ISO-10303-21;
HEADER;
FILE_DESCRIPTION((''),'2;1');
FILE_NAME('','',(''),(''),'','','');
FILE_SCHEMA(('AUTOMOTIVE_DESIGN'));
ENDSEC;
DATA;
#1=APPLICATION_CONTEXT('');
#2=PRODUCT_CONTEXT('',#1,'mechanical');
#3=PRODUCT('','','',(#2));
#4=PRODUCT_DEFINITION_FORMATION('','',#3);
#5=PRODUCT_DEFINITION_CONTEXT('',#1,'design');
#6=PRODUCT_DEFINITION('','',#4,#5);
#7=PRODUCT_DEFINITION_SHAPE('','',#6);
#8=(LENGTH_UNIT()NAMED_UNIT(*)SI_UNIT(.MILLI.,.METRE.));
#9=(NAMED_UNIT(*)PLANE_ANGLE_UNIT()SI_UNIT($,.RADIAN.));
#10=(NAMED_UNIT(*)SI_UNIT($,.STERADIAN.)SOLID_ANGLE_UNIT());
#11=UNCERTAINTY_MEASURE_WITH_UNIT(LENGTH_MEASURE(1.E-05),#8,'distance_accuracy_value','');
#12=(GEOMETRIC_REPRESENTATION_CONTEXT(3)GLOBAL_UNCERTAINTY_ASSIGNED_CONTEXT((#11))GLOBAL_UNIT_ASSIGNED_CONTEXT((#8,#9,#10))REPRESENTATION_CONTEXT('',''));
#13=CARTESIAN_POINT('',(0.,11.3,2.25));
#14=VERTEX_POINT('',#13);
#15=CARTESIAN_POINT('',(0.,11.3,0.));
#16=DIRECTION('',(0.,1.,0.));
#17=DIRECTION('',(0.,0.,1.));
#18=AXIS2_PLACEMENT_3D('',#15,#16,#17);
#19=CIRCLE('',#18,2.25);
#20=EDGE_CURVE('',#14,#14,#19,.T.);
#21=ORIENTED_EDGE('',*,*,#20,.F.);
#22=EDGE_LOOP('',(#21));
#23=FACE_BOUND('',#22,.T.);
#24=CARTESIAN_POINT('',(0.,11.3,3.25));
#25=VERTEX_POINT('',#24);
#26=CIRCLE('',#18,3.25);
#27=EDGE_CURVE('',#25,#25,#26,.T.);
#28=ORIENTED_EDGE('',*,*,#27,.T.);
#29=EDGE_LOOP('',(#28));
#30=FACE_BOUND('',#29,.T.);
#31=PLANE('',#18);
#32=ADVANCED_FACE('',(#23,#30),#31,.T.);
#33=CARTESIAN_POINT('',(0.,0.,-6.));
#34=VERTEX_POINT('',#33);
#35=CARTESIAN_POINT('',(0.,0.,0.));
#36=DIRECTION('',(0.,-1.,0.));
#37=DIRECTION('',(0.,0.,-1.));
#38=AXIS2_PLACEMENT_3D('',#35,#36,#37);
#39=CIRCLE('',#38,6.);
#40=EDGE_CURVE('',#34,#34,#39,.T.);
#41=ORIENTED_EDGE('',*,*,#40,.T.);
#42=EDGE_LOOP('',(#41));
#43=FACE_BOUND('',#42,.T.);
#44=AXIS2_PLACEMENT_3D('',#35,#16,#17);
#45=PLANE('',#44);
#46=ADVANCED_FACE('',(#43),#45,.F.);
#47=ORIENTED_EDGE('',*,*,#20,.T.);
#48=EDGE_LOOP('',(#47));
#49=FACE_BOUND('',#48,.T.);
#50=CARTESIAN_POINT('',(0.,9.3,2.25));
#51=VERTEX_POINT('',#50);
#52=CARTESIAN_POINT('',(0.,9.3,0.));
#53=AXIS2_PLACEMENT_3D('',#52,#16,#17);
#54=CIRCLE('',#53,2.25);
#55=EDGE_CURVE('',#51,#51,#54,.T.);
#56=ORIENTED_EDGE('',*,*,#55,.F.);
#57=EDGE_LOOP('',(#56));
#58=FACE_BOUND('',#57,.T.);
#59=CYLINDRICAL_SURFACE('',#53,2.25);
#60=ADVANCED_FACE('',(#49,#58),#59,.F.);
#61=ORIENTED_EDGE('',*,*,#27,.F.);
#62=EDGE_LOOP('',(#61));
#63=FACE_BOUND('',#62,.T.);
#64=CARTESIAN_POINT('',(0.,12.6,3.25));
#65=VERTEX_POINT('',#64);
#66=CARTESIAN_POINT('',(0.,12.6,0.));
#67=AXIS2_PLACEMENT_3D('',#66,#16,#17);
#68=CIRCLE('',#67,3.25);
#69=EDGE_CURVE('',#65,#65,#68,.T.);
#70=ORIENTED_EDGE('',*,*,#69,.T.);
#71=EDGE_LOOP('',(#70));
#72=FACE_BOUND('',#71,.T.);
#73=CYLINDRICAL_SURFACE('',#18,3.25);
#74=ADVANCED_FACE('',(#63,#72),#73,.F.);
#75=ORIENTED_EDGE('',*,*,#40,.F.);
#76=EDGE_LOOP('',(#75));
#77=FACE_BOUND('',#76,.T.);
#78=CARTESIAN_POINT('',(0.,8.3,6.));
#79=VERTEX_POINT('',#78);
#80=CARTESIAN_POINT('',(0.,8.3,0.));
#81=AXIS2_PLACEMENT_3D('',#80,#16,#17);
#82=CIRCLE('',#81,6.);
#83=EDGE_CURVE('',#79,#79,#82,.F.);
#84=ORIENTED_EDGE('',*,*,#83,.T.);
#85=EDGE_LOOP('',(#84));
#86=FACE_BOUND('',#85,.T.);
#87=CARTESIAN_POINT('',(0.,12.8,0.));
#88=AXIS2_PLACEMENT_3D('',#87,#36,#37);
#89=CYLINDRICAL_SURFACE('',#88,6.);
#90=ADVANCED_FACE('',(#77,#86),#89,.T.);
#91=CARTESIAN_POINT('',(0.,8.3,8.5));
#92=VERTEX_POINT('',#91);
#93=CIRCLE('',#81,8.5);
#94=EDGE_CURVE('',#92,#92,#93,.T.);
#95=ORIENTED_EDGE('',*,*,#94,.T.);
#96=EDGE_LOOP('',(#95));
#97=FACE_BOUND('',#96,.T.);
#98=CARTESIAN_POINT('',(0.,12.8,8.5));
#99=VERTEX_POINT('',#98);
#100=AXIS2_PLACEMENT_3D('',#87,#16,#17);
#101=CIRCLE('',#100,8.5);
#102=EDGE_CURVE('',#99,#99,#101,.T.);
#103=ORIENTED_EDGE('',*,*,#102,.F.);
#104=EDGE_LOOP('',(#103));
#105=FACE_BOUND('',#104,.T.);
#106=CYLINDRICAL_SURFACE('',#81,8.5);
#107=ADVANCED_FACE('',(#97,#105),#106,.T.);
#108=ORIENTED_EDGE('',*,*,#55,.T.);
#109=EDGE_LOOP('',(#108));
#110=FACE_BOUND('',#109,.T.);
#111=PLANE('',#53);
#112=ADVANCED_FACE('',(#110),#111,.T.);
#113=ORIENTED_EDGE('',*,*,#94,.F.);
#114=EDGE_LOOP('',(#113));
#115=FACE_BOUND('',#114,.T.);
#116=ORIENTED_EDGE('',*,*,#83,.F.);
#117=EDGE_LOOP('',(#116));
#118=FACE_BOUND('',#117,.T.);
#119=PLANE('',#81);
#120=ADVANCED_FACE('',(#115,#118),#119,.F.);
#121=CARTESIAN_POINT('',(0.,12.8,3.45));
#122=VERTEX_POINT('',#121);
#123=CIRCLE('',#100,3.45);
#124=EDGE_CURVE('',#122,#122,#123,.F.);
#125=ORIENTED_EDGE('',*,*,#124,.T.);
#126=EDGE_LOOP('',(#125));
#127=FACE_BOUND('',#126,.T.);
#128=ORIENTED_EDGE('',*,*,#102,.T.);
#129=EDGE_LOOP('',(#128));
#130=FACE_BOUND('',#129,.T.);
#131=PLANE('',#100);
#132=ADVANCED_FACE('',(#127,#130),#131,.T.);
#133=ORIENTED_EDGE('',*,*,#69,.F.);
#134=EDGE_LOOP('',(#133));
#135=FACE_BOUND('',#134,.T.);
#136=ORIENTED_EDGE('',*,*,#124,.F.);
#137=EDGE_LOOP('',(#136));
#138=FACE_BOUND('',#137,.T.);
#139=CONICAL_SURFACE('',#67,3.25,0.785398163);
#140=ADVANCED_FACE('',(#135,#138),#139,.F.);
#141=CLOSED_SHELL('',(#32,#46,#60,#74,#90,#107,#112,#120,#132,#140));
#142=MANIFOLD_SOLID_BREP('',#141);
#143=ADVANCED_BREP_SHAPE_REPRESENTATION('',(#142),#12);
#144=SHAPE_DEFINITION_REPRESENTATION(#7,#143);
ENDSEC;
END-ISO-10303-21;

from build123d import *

# Parameters (mm, degrees)
SKETCH1_R           = 7
BOSS_EXTRUDE1_DEPTH = 12.8
SKETCH2_OUTSIDE_W   = 20.716
SKETCH2_OUTSIDE_H   = 20.716
SKETCH2_OUTSIDE_R   = 6
CUT_EXTRUDE1_DEPTH  = 13.8
SKETCH3_R           = 3.25
CUT_EXTRUDE2_DEPTH  = 1.5
SKETCH4_R           = 2.25
CUT_EXTRUDE3_DEPTH  = 2
CHAMFER1_SIZE       = 0.2
SKETCH_1_R          = 8.5
SKETCH_1_R_2        = 5.212411732
EXTRUDE_1_DEPTH     = 4.5


with BuildPart() as part:
    # Sketch1 → Boss-Extrude1 (new body)
    with BuildSketch(Plane(origin=(0, 0, 0), x_dir=(1, 0, 0), z_dir=(0, 1, 0))):
        Circle(SKETCH1_R)
    extrude(amount=BOSS_EXTRUDE1_DEPTH)

    # Sketch2 outside → Cut-Extrude1 (cut, through all)
    with BuildSketch(Plane.XZ):
        Rectangle(SKETCH2_OUTSIDE_W, SKETCH2_OUTSIDE_H)
        Circle(SKETCH2_OUTSIDE_R, mode=Mode.SUBTRACT)
    extrude(amount=-CUT_EXTRUDE1_DEPTH, mode=Mode.SUBTRACT)

    # Sketch3 → Cut-Extrude2 (cut)
    with BuildSketch(Plane(origin=(0, 12.8, 0), x_dir=(1, 0, 0), z_dir=(0, 1, 0))):
        Circle(SKETCH3_R)
    extrude(amount=-CUT_EXTRUDE2_DEPTH, mode=Mode.SUBTRACT)

    # Sketch4 → Cut-Extrude3 (cut)
    with BuildSketch(Plane(origin=(0, 11.3, 0), x_dir=(1, 0, 0), z_dir=(0, 1, 0))):
        Circle(SKETCH4_R)
    extrude(amount=-CUT_EXTRUDE3_DEPTH, mode=Mode.SUBTRACT)

    # Chamfer1
    chamfer1_edges = [part.edges().sort_by_distance(p)[0] for p in [
        (-3.25, 12.8, 0),
    ]]
    chamfer(chamfer1_edges, length=CHAMFER1_SIZE)

    # ｽｹｯﾁ1 → ﾎﾞｽ - 押し出し1 (add)
    with BuildSketch(Plane(origin=(0, 12.8, 0), x_dir=(1, 0, 0), z_dir=(0, 1, 0))):
        Circle(SKETCH_1_R)
        Circle(SKETCH_1_R_2, mode=Mode.SUBTRACT)
    extrude(amount=-EXTRUDE_1_DEPTH)


solid = part.part
